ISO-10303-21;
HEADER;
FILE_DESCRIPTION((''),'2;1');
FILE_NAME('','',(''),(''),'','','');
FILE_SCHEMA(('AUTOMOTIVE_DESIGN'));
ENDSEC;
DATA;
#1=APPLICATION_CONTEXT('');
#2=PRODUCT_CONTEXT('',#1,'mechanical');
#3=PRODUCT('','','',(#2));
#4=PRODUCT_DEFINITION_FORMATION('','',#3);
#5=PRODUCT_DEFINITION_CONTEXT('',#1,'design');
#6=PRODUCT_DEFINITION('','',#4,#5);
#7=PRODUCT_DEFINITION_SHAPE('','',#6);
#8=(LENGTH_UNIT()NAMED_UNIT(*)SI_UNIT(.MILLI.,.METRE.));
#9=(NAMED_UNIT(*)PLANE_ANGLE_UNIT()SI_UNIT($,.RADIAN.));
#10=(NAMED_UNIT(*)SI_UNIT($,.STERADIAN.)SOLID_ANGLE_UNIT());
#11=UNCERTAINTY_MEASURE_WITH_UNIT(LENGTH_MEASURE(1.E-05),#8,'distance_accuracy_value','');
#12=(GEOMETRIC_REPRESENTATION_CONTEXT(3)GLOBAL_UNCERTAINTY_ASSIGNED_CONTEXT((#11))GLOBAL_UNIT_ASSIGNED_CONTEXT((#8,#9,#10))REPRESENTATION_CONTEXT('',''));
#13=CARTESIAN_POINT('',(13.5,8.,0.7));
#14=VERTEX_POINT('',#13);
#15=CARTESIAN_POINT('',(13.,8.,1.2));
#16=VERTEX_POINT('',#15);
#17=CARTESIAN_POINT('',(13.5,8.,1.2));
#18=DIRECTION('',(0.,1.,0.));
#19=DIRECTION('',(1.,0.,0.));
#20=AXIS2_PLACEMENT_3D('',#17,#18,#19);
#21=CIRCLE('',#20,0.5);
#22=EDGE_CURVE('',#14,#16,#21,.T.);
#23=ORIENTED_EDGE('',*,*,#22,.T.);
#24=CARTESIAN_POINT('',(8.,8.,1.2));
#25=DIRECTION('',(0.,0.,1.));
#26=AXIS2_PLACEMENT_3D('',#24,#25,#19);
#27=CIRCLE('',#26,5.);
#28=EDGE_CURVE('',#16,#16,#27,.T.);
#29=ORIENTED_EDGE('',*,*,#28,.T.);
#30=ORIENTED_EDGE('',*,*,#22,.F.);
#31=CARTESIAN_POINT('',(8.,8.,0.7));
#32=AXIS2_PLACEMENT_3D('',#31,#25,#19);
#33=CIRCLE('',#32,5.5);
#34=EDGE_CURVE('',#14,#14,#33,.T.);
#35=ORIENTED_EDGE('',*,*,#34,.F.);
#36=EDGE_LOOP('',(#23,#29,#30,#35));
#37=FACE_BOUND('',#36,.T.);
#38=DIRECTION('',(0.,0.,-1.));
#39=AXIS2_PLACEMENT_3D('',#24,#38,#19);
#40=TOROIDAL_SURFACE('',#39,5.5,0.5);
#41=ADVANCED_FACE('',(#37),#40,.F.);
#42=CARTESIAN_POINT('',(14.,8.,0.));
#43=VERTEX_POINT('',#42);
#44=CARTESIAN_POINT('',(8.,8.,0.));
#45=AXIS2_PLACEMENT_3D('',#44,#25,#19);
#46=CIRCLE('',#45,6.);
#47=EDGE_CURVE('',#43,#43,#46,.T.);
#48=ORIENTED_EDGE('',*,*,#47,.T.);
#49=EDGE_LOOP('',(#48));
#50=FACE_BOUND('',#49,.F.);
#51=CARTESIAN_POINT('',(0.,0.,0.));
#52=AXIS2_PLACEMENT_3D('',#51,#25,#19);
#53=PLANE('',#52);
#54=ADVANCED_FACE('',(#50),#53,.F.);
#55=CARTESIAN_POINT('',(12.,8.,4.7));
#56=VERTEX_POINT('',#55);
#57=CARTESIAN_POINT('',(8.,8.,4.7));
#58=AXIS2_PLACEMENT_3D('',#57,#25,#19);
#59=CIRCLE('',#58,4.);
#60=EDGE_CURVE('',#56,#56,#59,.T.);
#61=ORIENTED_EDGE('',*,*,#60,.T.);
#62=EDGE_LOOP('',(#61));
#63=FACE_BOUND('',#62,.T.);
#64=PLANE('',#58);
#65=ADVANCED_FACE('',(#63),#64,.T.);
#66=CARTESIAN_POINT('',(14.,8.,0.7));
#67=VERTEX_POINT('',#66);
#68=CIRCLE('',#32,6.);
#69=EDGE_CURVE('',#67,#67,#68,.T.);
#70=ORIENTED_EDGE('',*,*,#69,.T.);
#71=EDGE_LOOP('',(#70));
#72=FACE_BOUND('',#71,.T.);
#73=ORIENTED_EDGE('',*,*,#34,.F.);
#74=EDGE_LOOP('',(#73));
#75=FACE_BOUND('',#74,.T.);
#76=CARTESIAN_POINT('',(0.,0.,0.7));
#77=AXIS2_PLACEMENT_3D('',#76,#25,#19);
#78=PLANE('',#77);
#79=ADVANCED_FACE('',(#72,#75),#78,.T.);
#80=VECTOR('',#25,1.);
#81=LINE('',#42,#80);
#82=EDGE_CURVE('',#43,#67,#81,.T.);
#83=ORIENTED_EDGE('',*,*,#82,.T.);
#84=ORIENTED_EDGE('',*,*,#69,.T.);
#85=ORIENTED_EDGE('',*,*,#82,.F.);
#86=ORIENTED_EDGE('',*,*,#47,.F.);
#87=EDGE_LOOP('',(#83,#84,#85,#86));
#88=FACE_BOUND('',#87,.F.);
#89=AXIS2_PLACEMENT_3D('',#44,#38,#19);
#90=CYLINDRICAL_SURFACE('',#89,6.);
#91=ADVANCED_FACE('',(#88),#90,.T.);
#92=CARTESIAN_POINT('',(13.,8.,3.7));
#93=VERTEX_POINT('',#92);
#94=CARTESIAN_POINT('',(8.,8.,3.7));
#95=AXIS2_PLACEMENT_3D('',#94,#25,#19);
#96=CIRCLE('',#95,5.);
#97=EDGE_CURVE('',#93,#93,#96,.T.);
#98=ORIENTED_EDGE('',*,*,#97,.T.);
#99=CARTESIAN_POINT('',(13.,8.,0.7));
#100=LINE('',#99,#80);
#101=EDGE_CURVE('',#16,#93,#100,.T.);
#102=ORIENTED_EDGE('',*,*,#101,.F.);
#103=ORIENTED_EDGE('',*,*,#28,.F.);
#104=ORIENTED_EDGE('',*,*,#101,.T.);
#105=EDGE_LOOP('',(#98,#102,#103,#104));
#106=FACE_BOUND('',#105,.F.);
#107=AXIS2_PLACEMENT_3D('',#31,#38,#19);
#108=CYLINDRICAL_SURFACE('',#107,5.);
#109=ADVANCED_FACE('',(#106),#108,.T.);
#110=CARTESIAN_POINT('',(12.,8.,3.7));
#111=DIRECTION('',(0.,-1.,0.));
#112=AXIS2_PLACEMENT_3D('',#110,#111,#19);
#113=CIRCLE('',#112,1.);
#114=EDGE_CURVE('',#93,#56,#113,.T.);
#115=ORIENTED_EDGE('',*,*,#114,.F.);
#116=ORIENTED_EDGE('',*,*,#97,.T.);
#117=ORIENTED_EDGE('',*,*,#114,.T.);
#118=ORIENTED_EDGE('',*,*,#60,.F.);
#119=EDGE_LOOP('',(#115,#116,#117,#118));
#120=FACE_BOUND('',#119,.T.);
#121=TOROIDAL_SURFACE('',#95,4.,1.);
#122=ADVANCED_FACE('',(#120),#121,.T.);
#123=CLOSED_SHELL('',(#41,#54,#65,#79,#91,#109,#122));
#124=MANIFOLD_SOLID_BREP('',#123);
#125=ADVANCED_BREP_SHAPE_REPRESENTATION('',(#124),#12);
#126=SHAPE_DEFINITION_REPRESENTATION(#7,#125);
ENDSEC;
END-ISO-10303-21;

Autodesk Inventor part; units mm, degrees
ref_plane "YZ Plane" through (0, 0, 0) normal (1, 0, 0) x (0, 1, 0)
ref_plane "XZ Plane" through (0, 0, 0) normal (0, 1, 0) x (-1, 0, 0)
ref_plane "XY Plane" through (0, 0, 0) normal (0, 0, 1) x (1, 0, 0)
sketch "Sketch1" plane through (0, 0, 0) normal (0, 0, 1) x (1, 0, 0)
  line L0 (0, 0) -> (16, 0)
  line L1 (16, 0) -> (16, 16)
  line L2 (16, 16) -> (0, 16)
  line L3 (0, 16) -> (0, 0)
  circle A0 centre (8, 8) radius 6
  dimension "d0" = 16
  dimension "d1" = 8
  dimension "d2" = 8
  dimension "d3" = 12
extrude "Extrusion2" add sketch "Sketch1" along normal blind 0.7 contours A0
sketch "Sketch3" plane through (8, 8, 0.7) normal (0, 0, 1) x (1, 0, 0)
  circle A0 centre (0, 0) radius 5
  circle A1 centre (0, 0) radius 6 projected
  point P0 (-8, -8)
  dimension "d10" = 10
extrude "Extrusion3" add sketch "Sketch3" along normal blind 4 contours A0
fillet "Fillet1" radius 1 1 edges at (3, 8, 4.7)
fillet "Fillet1" radius 0.5 1 edges at (3, 8, 0.7)
properties part number "Foot"
